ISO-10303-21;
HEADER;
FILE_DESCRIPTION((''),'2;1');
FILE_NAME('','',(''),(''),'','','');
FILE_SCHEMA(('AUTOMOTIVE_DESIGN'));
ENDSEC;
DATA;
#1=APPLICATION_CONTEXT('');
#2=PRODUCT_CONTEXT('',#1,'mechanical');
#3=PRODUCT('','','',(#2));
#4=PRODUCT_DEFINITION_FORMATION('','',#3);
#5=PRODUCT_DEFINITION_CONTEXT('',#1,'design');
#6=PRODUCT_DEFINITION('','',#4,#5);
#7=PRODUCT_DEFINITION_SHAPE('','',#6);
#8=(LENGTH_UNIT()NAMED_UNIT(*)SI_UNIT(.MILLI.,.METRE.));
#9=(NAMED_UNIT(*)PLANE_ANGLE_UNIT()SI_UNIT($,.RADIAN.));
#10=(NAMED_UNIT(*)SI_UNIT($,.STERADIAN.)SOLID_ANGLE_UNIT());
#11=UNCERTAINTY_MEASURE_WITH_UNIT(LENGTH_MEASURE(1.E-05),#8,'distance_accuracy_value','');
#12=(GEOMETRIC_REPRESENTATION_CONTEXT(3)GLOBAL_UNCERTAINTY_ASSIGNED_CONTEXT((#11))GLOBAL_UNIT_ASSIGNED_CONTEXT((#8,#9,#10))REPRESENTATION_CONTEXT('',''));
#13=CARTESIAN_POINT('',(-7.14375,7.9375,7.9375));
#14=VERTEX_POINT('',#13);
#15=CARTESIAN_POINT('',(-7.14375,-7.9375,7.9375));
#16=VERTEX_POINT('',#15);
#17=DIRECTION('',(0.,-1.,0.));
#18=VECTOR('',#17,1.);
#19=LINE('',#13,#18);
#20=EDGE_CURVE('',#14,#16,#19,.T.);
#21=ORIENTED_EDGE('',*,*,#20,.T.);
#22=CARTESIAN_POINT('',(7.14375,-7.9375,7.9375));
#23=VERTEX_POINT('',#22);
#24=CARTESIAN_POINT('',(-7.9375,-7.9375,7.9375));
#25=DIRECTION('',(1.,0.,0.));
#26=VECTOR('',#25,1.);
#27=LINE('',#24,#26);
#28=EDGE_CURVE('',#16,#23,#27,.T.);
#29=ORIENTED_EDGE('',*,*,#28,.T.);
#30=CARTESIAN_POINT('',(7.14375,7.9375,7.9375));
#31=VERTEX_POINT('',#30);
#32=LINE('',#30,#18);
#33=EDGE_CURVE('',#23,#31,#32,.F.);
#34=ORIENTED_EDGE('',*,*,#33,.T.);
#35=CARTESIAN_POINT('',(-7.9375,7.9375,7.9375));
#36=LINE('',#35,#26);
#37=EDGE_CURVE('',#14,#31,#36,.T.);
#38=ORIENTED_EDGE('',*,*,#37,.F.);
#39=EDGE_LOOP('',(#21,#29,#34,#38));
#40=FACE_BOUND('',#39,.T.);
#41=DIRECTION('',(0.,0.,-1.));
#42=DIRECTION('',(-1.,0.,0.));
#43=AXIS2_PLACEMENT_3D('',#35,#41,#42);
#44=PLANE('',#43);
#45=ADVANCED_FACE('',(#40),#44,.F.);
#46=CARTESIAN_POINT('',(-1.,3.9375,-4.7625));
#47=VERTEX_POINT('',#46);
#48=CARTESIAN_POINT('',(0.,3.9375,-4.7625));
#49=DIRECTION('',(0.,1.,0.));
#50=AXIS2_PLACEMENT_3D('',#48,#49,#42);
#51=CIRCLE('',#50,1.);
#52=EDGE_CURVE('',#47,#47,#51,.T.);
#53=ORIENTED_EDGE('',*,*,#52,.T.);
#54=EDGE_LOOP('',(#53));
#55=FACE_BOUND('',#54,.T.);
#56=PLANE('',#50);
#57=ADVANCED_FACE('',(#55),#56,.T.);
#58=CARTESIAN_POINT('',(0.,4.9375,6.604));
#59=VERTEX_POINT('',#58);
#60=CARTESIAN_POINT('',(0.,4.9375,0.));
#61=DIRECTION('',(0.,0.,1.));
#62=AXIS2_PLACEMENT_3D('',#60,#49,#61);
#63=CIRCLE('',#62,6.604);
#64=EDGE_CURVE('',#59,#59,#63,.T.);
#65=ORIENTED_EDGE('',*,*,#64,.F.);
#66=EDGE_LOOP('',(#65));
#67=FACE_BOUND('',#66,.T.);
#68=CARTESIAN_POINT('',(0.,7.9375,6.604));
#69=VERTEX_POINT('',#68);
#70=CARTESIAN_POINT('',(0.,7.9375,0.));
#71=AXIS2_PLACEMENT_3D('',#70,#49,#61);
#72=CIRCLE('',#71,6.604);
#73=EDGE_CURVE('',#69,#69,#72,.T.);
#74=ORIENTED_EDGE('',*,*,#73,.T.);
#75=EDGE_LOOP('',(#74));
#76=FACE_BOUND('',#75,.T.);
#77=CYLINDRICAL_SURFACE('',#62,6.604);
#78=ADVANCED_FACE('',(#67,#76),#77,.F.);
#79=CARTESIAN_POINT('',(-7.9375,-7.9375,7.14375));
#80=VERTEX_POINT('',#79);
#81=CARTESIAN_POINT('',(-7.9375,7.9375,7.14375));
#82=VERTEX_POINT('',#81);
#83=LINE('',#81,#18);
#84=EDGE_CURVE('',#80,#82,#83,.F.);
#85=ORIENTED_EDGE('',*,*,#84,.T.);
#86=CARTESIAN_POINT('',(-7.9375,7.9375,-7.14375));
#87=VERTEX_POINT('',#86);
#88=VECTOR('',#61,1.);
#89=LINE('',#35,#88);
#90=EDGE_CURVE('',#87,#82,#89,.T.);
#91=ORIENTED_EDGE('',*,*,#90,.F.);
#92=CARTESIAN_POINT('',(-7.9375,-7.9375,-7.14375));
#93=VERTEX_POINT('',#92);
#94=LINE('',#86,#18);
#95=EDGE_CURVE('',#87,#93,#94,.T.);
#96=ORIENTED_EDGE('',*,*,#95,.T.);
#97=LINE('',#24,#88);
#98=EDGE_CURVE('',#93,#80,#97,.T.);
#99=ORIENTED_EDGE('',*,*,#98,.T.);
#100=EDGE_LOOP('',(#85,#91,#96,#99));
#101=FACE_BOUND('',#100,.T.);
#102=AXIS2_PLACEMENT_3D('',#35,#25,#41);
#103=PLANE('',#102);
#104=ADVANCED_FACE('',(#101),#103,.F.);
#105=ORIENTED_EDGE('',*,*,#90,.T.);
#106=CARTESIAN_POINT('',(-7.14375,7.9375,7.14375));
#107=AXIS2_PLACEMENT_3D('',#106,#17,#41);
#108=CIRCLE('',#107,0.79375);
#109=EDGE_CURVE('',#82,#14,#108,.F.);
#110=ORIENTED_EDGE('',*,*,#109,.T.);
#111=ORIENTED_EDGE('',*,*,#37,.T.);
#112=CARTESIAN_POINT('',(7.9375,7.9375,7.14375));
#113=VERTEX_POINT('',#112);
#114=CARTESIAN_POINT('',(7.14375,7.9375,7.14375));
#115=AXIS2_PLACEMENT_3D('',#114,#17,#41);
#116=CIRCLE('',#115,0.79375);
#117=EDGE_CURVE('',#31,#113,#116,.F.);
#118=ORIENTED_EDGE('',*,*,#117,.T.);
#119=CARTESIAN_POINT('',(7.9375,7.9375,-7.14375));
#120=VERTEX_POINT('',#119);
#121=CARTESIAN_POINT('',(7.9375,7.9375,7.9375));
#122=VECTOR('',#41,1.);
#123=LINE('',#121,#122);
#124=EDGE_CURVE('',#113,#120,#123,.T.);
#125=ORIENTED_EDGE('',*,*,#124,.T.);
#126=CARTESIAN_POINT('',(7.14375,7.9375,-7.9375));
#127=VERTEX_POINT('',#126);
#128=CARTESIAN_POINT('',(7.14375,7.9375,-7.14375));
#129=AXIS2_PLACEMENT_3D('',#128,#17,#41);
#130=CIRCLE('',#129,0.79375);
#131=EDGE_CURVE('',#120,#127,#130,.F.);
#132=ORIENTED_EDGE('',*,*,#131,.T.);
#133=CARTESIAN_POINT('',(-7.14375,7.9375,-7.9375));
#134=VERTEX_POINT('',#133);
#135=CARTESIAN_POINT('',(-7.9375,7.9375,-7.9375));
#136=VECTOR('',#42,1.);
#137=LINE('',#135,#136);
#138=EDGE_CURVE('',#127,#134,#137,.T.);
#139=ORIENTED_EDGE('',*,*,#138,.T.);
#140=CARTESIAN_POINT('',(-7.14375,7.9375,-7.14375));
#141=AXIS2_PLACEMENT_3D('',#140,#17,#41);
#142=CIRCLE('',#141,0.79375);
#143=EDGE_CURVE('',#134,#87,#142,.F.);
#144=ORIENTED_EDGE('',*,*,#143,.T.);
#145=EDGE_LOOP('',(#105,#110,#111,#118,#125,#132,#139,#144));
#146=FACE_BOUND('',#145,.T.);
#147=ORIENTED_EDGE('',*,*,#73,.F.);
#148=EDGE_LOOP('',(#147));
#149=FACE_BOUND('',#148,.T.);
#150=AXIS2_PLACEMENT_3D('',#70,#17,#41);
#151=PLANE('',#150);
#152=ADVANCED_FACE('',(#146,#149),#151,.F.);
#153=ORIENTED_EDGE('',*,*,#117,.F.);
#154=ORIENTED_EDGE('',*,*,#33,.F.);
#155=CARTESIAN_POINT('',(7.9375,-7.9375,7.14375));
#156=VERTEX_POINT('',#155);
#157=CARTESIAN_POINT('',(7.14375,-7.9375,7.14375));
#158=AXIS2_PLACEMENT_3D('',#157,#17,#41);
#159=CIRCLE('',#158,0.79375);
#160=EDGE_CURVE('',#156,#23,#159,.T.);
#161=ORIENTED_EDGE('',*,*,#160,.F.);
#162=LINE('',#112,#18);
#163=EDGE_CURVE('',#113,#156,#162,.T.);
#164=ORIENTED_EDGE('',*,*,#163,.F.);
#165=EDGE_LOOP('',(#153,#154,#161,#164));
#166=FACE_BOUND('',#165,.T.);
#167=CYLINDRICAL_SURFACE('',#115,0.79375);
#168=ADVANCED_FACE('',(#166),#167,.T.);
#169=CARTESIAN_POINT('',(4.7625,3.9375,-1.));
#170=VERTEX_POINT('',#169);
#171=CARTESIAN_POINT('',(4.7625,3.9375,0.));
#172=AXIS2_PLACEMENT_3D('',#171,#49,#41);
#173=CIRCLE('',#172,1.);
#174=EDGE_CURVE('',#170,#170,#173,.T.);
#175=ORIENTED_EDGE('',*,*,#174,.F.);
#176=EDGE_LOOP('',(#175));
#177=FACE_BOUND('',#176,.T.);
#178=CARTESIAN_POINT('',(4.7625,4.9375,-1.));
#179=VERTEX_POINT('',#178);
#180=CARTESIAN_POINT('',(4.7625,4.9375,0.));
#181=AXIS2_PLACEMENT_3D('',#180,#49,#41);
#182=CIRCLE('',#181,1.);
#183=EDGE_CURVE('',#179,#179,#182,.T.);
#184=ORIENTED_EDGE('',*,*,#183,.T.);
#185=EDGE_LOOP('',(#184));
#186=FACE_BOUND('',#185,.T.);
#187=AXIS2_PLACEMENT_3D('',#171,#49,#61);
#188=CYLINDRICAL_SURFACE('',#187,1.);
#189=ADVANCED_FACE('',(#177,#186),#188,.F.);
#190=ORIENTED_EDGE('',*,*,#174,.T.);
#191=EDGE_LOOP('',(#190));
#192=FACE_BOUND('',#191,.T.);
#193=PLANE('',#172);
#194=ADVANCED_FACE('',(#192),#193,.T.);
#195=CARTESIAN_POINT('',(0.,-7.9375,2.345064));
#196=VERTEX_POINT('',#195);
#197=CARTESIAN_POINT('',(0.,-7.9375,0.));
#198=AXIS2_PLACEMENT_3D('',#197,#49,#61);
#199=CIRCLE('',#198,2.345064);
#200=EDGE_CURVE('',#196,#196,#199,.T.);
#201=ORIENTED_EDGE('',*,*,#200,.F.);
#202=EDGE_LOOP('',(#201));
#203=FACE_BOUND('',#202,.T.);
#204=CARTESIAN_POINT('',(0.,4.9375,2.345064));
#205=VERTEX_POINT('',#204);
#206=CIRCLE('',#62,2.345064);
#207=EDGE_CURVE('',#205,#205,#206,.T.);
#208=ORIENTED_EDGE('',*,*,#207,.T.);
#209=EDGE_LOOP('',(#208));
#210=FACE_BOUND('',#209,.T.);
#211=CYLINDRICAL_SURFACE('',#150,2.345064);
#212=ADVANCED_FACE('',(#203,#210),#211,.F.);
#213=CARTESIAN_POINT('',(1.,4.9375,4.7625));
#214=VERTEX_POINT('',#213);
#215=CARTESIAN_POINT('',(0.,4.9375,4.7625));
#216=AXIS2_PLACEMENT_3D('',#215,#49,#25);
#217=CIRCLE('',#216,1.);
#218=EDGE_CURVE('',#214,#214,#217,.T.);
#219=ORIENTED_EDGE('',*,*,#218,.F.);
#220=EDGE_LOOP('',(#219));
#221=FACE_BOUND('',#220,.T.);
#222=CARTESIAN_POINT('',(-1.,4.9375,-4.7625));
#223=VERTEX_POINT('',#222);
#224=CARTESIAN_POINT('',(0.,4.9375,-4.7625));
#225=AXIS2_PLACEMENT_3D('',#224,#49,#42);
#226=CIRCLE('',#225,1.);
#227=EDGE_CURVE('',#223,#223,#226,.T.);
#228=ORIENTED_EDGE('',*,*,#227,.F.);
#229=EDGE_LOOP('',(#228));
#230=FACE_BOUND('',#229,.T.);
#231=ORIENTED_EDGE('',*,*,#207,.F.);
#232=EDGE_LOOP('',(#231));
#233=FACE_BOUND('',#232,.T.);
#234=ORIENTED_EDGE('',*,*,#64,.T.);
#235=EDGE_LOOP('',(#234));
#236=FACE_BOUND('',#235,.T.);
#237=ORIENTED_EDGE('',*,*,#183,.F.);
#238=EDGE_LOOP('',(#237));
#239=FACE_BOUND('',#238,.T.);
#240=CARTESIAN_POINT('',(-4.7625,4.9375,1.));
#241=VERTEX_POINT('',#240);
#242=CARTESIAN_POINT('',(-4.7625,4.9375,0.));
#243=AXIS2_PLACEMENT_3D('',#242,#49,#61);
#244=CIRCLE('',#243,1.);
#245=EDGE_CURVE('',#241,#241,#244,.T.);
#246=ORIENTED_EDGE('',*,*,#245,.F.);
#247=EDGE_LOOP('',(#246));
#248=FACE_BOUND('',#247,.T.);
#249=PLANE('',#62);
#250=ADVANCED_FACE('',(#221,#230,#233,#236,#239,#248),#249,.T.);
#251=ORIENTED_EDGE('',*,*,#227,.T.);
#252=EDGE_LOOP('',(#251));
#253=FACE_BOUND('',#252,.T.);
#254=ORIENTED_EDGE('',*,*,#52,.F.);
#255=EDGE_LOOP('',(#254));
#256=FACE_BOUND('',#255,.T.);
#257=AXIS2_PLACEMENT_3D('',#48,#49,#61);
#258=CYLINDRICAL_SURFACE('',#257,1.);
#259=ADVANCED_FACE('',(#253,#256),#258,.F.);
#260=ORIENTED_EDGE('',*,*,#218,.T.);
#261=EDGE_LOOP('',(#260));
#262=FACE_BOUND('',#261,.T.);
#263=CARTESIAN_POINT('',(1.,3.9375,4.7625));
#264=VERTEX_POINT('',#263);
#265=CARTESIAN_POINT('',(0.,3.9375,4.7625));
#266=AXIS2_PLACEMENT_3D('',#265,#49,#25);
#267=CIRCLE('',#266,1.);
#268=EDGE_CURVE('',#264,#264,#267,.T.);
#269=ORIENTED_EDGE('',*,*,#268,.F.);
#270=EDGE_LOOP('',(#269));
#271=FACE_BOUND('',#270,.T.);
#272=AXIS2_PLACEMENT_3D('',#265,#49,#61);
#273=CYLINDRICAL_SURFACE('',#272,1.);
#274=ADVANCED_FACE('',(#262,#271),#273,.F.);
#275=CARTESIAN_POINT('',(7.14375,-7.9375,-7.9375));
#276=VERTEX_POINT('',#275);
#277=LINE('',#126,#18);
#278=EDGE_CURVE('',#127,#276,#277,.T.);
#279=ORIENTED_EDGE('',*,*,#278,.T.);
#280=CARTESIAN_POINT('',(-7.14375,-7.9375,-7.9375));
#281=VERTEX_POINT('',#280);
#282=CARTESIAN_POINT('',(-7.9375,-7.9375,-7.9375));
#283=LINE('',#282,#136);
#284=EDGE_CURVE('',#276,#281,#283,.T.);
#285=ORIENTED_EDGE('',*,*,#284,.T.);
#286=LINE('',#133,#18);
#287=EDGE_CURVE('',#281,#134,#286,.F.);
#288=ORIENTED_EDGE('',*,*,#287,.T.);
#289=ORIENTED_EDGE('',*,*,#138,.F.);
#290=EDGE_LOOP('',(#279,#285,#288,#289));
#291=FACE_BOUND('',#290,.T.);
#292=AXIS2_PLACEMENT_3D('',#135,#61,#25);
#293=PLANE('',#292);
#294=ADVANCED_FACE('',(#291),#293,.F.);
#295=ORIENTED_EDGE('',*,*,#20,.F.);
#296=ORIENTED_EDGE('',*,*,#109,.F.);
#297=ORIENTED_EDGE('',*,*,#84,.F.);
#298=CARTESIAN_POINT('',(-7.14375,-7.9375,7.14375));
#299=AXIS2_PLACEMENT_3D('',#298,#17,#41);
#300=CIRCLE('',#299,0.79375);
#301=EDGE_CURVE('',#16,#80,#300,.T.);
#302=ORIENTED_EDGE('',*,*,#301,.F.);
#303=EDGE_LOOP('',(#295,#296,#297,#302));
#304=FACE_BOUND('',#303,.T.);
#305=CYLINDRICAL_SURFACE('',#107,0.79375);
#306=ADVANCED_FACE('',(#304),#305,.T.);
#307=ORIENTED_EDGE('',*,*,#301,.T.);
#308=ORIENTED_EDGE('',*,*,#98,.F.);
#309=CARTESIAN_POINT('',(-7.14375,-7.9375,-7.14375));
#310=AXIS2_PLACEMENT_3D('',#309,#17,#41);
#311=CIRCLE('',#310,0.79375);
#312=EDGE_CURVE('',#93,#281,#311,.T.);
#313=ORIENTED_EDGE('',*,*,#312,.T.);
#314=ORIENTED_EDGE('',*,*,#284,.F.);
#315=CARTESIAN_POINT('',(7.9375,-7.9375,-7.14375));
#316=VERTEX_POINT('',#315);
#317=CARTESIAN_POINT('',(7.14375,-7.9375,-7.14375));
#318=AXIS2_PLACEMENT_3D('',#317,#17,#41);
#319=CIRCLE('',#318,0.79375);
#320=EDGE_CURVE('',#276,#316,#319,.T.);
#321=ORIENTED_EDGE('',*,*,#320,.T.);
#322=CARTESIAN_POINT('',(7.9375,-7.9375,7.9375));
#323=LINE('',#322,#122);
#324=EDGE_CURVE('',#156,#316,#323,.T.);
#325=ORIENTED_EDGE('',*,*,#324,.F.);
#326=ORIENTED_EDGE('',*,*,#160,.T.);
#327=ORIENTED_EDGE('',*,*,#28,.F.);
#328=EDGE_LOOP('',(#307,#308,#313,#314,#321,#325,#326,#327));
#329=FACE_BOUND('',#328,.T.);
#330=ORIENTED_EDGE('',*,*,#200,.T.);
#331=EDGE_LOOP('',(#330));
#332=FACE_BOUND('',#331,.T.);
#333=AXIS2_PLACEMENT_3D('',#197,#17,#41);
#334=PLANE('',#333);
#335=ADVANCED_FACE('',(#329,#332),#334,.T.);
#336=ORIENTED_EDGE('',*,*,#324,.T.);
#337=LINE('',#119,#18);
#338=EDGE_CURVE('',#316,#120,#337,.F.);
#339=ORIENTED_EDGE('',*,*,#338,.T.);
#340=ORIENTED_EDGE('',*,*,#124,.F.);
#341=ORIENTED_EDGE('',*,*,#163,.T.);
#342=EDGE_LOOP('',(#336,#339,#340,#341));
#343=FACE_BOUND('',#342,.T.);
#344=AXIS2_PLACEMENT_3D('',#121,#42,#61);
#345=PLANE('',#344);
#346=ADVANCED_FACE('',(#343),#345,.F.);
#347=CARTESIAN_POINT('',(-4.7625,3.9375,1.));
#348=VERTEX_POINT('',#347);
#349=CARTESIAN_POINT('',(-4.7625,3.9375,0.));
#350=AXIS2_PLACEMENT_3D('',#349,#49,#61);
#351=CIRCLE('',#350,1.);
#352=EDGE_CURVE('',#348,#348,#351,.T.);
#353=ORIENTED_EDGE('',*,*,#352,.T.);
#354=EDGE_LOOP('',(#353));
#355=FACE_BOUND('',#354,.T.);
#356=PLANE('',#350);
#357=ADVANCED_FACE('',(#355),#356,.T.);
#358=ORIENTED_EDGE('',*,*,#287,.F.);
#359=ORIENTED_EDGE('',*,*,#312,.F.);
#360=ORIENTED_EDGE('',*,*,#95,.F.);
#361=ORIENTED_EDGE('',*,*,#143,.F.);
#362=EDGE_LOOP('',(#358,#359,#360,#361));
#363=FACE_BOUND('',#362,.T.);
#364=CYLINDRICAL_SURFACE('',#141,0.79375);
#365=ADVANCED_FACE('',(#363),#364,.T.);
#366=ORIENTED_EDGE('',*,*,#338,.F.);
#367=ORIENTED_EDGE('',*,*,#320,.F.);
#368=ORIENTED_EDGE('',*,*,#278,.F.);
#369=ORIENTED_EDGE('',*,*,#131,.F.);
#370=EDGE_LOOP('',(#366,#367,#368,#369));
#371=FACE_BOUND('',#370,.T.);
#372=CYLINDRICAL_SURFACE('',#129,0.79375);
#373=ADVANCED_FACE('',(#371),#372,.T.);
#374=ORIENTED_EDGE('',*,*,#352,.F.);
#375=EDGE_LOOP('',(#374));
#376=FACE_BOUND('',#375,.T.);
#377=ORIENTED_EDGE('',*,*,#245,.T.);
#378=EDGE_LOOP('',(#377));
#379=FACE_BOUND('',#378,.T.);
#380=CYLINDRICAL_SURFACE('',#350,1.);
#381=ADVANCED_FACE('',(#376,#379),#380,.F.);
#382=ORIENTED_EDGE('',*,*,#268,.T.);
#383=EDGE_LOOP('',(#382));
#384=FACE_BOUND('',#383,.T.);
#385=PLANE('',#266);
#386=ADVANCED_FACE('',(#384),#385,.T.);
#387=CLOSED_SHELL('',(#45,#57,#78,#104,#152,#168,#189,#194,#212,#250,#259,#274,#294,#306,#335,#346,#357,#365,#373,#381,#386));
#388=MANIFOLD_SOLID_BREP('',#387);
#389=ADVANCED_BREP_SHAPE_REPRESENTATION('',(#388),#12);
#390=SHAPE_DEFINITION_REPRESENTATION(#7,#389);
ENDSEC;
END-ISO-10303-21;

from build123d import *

# Parameters (mm, degrees)
SKETCH1_W           = 15.875
SKETCH1_H           = 15.875
SKETCH1_R           = 2.34506403
BOSS_EXTRUDE1_DEPTH = 7.9375
SKETCH2_R           = 6.604
CUT_EXTRUDE1_DEPTH  = 3
SKETCH3_R           = 1
CUT_EXTRUDE2_DEPTH  = 1
FILLET1_R           = 0.79375
CIRPATTERN1_COUNT   = 4


with BuildPart() as part:
    # Sketch1 → Boss-Extrude1 (new, symmetric)
    with BuildSketch(Plane(origin=(0, 0, 0), x_dir=(1, 0, 0), z_dir=(0, 1, 0))):
        Rectangle(SKETCH1_W, SKETCH1_H)
        Circle(SKETCH1_R, mode=Mode.SUBTRACT)
    extrude(amount=BOSS_EXTRUDE1_DEPTH, both=True)

    # Sketch2 → Cut-Extrude1 (cut)
    with BuildSketch(Plane(origin=(0, 7.9375, 0), x_dir=(1, 0, 0), z_dir=(0, 1, 0))):
        Circle(SKETCH2_R)
    extrude(amount=-CUT_EXTRUDE1_DEPTH, mode=Mode.SUBTRACT)

    # Sketch3 → Cut-Extrude2 (cut)
    with BuildSketch(Plane(origin=(0, 4.9375, 0), x_dir=(1, 0, 0), z_dir=(0, 1, 0))):
        with Locations((-4.7625, 0)):
            Circle(SKETCH3_R)
    cut_extrude2 = extrude(amount=-CUT_EXTRUDE2_DEPTH, mode=Mode.SUBTRACT)

    # Fillet1
    fillet1_edges = [part.edges().sort_by_distance(p)[0] for p in [
        (7.9375, 0, 7.9375),
        (7.9375, 0, -7.9375),
        (-7.9375, 0, 7.9375),
        (-7.9375, 0, -7.9375),
    ]]
    fillet(fillet1_edges, radius=FILLET1_R)

    # CirPattern1: Cut-Extrude2 ×4 about axis
    cirpattern1_axis = Axis((0, -8.73125, 0), (0, 1, 0))
    for i in range(1, CIRPATTERN1_COUNT):
        add(cut_extrude2.rotate(cirpattern1_axis, i * 360 / CIRPATTERN1_COUNT), mode=Mode.SUBTRACT)


solid = part.part
